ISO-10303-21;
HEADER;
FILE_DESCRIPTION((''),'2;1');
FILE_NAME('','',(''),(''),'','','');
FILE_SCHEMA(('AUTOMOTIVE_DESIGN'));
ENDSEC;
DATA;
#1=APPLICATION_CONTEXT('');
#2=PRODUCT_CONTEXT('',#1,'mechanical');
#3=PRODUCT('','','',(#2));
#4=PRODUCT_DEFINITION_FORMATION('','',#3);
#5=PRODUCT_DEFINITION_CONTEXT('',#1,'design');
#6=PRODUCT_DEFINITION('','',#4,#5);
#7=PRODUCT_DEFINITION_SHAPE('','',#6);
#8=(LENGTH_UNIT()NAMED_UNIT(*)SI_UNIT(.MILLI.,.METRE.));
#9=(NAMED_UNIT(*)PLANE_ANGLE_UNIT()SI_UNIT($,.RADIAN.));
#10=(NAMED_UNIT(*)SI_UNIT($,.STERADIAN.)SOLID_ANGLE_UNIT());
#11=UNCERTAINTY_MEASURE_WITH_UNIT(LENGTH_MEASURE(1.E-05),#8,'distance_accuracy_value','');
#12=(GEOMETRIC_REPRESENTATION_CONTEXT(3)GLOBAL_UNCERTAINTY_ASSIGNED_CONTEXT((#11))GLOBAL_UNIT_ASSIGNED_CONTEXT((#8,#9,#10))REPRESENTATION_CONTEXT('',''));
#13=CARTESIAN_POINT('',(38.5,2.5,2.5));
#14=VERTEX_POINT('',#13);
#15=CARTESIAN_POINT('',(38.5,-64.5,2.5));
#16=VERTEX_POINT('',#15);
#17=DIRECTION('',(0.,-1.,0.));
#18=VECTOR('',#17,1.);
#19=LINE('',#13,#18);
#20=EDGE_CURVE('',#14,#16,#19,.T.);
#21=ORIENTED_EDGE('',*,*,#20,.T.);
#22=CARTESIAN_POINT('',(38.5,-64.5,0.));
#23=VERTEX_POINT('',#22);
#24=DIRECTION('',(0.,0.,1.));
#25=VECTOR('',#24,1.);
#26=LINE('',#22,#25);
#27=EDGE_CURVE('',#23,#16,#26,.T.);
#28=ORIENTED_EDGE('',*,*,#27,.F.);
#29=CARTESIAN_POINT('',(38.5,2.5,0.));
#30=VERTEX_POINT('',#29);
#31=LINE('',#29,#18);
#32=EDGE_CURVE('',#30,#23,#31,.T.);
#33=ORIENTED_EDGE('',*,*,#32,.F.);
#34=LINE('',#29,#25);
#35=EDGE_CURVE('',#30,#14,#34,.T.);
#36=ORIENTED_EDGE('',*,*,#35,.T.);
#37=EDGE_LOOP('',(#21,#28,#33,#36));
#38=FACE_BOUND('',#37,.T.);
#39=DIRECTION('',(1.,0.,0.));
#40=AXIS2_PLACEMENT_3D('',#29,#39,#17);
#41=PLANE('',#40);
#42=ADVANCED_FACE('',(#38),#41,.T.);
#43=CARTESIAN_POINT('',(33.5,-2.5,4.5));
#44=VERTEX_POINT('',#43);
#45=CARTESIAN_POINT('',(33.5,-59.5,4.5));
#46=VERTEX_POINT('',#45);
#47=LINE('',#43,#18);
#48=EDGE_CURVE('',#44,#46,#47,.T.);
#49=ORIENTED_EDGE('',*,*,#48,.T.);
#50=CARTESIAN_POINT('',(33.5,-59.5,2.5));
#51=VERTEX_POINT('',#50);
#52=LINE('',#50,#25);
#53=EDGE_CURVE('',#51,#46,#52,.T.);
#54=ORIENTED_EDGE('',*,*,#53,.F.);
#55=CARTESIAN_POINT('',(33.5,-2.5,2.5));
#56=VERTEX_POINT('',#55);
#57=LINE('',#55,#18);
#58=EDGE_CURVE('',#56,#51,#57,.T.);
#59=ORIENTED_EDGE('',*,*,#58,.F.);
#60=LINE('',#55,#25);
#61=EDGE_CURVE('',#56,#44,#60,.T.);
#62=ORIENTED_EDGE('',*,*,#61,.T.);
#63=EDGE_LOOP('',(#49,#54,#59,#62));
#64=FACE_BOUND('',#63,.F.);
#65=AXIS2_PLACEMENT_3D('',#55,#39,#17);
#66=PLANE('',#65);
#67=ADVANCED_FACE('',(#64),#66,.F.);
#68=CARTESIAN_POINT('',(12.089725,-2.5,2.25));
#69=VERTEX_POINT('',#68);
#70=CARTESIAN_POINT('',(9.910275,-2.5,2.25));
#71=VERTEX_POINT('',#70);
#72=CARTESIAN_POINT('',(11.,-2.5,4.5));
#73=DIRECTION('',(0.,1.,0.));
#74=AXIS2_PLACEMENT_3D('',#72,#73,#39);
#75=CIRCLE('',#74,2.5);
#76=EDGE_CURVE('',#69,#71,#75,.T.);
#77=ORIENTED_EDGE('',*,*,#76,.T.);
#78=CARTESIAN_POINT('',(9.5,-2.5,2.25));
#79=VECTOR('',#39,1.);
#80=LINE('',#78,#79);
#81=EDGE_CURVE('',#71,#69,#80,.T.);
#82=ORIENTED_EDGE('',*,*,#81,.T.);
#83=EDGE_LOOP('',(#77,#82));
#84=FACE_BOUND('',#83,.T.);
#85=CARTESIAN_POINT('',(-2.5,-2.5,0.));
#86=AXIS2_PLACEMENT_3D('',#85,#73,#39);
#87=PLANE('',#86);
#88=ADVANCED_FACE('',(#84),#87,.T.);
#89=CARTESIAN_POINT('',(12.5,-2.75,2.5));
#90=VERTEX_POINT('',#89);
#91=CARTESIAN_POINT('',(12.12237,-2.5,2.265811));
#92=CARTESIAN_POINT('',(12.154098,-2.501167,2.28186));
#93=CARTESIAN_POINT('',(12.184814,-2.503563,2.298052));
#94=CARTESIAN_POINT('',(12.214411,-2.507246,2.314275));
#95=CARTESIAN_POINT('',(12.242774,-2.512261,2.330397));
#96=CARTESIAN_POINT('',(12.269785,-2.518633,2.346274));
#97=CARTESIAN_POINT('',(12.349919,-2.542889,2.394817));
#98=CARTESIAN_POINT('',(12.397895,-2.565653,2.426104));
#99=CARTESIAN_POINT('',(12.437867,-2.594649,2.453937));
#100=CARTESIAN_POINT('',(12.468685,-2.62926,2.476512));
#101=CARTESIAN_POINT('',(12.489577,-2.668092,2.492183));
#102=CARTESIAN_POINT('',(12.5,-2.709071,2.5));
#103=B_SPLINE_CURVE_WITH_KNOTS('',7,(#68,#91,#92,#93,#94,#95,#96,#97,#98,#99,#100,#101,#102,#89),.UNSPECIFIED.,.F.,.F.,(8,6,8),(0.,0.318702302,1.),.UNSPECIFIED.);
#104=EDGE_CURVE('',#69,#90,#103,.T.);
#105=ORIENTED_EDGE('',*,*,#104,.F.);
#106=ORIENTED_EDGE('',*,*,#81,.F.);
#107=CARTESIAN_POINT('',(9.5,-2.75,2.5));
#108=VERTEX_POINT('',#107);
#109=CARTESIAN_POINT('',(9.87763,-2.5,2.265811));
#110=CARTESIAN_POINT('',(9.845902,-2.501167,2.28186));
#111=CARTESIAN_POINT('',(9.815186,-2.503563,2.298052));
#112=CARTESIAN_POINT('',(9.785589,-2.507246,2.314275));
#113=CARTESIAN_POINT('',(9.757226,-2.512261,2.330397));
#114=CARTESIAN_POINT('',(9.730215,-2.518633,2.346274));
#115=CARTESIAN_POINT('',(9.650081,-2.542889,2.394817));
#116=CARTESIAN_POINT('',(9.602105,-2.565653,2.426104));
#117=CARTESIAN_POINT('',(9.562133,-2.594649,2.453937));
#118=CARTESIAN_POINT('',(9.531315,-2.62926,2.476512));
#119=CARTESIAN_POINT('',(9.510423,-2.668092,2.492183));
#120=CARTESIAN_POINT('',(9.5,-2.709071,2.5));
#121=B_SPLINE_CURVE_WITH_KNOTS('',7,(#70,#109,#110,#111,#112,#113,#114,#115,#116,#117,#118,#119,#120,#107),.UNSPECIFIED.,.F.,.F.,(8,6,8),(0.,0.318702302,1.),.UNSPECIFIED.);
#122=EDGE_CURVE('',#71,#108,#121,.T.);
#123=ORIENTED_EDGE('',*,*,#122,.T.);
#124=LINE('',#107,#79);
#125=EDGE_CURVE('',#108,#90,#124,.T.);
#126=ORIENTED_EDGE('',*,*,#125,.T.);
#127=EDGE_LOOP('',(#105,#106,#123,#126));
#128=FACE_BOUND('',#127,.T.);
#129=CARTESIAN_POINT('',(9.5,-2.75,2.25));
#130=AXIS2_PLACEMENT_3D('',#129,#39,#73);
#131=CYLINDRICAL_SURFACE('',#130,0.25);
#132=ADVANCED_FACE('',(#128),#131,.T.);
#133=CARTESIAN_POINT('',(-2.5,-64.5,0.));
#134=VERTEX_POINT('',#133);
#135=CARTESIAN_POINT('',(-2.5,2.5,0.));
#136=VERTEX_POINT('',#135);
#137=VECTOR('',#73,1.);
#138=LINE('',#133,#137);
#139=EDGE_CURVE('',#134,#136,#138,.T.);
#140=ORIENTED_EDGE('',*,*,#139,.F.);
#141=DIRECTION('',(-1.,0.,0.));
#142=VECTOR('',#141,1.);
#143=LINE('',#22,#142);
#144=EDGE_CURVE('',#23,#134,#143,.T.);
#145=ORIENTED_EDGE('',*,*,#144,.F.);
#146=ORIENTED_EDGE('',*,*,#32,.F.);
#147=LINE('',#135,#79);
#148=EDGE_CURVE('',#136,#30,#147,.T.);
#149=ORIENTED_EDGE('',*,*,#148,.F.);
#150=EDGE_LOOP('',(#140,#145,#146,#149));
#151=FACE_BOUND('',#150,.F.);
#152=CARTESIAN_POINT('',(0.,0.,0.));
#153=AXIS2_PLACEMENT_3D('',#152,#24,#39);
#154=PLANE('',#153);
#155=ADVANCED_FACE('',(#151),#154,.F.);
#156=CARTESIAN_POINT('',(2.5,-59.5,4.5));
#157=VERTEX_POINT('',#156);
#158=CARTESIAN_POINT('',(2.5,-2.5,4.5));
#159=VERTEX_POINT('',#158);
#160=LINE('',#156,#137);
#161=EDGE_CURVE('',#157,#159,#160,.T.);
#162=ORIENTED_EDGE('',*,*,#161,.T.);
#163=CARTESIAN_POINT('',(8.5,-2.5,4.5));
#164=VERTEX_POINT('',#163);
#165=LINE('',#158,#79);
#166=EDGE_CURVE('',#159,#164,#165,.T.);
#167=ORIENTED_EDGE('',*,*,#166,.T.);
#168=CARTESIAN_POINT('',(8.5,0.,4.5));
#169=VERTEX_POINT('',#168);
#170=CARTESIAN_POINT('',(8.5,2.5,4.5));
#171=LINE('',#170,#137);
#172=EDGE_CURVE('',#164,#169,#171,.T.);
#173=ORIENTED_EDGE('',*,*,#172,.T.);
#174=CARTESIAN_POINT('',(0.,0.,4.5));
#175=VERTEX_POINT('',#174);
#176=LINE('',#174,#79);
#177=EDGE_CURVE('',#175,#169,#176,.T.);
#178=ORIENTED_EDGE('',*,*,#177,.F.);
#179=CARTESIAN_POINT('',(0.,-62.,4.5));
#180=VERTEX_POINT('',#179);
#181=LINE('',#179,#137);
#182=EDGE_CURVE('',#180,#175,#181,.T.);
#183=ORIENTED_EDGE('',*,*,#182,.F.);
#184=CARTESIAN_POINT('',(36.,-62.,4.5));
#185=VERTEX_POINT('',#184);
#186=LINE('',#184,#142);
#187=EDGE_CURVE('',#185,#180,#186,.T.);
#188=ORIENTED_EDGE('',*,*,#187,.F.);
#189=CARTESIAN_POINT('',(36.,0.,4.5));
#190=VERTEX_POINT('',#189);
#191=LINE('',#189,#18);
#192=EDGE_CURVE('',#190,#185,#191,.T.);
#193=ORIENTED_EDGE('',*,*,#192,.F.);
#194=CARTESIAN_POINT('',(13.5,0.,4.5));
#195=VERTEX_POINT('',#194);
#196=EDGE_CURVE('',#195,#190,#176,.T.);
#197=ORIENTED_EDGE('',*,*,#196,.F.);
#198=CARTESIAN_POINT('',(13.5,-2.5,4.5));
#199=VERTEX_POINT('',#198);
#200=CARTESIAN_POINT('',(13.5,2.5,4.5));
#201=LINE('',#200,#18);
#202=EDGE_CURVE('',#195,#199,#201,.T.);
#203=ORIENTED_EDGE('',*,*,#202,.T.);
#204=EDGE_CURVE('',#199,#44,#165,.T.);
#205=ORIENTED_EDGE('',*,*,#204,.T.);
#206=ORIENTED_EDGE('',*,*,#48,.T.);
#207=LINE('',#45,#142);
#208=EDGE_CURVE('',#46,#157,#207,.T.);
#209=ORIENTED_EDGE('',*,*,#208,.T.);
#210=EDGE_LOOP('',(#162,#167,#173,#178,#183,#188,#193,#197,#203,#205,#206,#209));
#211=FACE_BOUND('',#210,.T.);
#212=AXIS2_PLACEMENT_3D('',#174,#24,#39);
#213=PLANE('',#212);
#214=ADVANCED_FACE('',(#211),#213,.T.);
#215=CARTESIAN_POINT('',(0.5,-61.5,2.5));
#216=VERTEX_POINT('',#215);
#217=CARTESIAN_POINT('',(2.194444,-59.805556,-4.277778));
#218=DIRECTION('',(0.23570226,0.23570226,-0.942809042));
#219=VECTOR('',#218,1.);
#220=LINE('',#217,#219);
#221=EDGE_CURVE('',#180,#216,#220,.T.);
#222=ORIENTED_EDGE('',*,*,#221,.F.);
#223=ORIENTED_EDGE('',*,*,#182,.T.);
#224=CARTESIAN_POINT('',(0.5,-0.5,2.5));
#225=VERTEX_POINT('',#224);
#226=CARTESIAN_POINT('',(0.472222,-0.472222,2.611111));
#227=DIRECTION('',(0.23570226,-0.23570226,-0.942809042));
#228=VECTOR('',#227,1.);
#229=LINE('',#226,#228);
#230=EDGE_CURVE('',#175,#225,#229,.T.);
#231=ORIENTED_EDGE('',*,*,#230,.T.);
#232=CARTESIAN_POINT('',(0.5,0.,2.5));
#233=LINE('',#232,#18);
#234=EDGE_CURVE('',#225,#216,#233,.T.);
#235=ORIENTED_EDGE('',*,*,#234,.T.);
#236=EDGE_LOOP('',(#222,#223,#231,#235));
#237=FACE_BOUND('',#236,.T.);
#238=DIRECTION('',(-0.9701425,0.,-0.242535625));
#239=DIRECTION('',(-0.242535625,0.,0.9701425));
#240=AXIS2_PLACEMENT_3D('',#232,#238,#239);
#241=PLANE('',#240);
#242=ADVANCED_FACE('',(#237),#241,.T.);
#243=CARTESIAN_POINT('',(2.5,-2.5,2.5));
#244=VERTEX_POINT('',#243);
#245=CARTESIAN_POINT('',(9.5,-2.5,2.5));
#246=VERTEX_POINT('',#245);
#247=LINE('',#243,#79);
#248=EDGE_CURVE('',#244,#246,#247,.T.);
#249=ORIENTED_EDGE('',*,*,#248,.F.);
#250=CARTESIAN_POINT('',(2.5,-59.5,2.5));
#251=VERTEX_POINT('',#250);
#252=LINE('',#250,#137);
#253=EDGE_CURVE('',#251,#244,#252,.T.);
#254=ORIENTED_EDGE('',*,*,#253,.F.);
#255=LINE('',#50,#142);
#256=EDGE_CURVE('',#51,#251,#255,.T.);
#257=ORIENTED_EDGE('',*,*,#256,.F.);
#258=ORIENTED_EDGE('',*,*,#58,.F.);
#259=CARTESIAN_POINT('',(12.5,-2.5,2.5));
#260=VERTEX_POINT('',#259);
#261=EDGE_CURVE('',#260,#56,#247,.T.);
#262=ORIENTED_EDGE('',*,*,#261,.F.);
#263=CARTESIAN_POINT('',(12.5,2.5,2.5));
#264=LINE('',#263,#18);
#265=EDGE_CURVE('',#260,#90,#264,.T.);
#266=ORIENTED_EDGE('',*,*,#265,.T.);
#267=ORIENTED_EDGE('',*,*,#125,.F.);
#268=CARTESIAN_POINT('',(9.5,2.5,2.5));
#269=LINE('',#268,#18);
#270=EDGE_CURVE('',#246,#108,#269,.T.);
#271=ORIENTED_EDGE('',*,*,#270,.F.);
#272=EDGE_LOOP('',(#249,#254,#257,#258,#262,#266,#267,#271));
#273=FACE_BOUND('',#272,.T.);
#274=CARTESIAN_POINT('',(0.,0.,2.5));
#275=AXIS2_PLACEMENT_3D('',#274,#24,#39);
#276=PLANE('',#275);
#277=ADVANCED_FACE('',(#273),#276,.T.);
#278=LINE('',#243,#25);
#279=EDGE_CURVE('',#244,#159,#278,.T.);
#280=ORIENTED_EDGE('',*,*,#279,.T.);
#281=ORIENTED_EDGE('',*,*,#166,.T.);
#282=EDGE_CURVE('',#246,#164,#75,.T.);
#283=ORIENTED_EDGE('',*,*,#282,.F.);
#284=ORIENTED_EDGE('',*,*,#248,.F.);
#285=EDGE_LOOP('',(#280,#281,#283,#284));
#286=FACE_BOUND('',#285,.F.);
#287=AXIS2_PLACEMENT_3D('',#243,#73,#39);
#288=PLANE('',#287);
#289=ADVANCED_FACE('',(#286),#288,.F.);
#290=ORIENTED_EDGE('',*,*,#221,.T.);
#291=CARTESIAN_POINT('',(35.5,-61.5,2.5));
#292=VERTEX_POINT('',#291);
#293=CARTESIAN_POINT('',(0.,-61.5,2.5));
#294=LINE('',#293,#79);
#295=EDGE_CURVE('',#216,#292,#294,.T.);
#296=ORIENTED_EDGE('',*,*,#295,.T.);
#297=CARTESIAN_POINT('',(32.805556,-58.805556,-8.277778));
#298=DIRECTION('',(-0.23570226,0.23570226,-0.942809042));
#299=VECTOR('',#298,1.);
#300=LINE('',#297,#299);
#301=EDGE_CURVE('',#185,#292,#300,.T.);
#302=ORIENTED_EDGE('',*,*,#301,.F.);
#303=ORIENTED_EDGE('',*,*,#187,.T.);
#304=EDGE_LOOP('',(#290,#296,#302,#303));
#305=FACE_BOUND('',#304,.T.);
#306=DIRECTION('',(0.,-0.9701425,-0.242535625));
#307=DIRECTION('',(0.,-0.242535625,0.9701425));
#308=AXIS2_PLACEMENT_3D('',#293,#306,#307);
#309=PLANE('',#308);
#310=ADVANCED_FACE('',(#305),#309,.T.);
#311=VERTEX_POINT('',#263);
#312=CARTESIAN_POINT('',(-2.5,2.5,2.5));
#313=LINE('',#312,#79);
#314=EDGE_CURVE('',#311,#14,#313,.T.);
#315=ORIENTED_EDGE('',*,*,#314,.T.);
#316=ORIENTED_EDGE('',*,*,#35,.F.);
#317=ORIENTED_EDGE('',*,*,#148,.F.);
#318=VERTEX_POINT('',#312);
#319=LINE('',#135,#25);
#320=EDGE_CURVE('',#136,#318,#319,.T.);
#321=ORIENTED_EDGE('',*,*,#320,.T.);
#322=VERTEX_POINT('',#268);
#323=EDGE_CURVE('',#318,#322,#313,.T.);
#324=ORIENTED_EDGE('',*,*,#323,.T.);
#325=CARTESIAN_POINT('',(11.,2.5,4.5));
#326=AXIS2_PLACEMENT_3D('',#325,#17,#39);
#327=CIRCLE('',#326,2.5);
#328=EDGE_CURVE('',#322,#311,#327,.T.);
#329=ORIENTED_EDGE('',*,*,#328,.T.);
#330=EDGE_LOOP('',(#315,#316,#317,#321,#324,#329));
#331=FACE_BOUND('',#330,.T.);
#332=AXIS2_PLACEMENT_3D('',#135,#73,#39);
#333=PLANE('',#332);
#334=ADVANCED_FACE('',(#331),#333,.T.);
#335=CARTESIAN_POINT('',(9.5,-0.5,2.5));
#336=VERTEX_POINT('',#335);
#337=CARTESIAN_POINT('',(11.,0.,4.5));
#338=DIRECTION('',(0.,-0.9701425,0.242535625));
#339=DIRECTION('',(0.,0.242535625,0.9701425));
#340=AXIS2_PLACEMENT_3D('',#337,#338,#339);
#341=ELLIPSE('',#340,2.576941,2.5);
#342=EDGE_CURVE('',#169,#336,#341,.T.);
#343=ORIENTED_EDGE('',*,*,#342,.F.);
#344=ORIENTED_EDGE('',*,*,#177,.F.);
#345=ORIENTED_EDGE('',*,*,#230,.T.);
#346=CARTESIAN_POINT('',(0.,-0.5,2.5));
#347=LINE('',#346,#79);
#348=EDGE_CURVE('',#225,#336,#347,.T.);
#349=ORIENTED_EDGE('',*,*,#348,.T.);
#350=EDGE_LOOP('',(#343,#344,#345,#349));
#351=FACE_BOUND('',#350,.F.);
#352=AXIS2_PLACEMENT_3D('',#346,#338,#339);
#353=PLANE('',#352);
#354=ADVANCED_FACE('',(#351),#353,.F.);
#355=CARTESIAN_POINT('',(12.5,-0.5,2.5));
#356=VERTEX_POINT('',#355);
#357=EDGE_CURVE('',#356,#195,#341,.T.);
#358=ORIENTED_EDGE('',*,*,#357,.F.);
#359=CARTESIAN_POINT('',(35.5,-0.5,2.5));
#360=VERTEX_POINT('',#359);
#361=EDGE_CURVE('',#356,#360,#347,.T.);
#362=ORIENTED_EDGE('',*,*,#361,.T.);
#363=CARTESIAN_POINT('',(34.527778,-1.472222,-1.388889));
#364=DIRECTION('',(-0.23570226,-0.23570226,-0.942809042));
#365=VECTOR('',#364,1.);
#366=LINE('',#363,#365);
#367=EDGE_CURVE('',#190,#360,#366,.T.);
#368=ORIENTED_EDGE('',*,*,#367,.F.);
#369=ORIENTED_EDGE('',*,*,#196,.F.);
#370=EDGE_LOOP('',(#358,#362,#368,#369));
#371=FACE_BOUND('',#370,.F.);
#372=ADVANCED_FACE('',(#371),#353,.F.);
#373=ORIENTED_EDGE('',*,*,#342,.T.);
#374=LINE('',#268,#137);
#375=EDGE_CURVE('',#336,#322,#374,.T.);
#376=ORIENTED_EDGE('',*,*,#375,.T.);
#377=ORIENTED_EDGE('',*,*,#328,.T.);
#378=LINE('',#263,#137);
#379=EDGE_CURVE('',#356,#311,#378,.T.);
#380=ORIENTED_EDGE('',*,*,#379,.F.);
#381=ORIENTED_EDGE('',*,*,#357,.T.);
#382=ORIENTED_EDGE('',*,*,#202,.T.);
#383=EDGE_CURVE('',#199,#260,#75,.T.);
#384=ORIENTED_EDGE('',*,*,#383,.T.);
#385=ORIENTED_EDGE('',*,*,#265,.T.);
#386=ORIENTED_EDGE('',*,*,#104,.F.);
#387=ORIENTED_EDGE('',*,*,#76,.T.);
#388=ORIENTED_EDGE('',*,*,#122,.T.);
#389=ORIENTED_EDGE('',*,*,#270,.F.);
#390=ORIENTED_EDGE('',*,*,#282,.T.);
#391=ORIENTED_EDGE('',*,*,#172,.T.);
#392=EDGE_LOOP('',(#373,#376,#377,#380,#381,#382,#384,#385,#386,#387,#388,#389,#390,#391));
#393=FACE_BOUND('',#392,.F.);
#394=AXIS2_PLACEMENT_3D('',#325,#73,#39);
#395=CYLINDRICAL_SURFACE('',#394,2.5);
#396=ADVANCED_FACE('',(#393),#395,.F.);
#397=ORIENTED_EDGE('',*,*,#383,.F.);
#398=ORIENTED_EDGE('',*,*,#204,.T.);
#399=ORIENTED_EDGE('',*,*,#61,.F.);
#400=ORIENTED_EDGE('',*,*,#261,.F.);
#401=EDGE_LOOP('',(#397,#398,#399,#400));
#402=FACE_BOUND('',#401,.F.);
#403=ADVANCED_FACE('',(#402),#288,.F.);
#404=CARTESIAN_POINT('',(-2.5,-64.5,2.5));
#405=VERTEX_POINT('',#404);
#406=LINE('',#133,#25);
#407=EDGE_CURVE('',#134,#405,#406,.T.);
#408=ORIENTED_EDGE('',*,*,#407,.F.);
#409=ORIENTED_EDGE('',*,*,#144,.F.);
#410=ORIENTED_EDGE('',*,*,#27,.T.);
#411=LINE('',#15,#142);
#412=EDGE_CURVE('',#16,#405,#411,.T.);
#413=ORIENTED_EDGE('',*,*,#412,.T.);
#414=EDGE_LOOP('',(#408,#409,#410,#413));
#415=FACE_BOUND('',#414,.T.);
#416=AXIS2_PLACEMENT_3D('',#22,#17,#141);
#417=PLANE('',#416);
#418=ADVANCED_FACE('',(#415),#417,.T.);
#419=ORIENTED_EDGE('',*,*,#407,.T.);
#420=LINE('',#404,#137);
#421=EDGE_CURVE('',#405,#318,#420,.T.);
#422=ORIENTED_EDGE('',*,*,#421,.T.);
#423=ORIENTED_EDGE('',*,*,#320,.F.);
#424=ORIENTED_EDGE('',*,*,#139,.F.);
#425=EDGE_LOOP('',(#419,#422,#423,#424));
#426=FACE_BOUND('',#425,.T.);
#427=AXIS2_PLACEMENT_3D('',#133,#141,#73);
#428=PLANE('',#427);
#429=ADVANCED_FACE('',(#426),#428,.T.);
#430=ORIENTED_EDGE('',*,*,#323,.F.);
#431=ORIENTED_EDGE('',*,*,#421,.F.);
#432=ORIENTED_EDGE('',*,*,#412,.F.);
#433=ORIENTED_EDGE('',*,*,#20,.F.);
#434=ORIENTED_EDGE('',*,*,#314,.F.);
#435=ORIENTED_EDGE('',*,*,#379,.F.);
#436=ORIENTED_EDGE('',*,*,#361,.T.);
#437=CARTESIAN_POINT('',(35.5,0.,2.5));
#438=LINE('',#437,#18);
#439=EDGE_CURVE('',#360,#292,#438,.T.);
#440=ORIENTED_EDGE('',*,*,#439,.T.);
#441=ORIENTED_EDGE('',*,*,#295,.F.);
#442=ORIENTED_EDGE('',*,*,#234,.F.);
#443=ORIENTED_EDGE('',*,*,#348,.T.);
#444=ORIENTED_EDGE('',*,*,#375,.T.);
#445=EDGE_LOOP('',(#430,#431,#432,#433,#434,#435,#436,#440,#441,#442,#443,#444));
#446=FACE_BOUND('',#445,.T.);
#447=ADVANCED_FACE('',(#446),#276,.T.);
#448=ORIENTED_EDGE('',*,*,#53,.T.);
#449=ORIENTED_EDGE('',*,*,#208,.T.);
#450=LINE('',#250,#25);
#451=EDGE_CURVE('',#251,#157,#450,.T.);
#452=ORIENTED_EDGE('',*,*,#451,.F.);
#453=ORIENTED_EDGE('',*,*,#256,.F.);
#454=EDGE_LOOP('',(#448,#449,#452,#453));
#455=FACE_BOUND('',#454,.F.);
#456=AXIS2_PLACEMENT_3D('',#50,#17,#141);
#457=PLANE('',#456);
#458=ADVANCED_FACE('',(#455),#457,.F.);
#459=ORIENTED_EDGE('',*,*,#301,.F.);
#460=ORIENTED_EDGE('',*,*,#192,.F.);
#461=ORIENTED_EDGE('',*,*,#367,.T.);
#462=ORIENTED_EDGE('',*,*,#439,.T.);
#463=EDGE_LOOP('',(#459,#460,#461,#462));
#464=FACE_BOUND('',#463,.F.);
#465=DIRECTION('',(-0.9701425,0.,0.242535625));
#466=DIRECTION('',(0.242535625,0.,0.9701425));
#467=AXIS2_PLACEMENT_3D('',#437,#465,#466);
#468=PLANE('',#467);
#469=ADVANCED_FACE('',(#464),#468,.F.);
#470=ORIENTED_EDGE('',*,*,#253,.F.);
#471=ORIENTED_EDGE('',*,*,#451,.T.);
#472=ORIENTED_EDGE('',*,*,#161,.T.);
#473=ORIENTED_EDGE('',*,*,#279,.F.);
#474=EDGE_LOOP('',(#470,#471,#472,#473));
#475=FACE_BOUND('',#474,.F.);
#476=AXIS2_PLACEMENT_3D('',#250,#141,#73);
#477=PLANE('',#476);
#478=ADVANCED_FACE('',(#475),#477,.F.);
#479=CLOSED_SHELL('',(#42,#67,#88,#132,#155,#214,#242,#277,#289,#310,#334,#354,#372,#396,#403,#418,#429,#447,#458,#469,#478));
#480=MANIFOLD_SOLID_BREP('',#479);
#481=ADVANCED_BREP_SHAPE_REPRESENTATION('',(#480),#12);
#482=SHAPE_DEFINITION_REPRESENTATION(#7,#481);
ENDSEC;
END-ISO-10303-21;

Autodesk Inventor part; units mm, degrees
ref_plane "YZ Plane" through (0, 0, 0) normal (1, 0, 0) x (0, 1, 0)
ref_plane "XZ Plane" through (0, 0, 0) normal (0, 1, 0) x (-1, 0, 0)
ref_plane "XY Plane" through (0, 0, 0) normal (0, 0, 1) x (1, 0, 0)
sketch "Sketch1" plane through (0, 0, 0) normal (0, 0, 1) x (1, 0, 0)
  line L0 (0, 0) -> (36, 0)
  line L1 (36, 0) -> (36, -62)
  line L2 (36, -62) -> (0, -62)
  line L3 (0, -62) -> (0, 0)
  line L4 (-2.5, 2.5) -> (38.5, 2.5)
  line L5 (38.5, 2.5) -> (38.5, -64.5)
  line L6 (38.5, -64.5) -> (-2.5, -64.5)
  line L7 (-2.5, -64.5) -> (-2.5, 2.5)
  dimension "d0" = 36
  dimension "d1" = 62
  dimension "d2" = 2.5
extrude "Extrusion1" add sketch "Sketch1" along normal blind 2.5 contours L0 L1 L2 L3 | L4 L5 L6 L7
sketch "Sketch2" plane through (0, 0, 2.5) normal (0, 0, 1) x (1, 0, 0)
  line L0 (38.5, 2.5) -> (-2.5, 2.5) projected
  line L1 (-2.5, 2.5) -> (-2.5, -64.5) projected
  line L2 (-2.5, -64.5) -> (38.5, -64.5) projected
  line L3 (38.5, -64.5) -> (38.5, 2.5) projected
  line L4 (0, 0) -> (36, 0)
  line L5 (36, 0) -> (36, -62)
  line L6 (36, -62) -> (0, -62)
  line L7 (0, -62) -> (0, 0)
  line L8 (2.5, -2.5) -> (33.5, -2.5)
  line L9 (33.5, -2.5) -> (33.5, -59.5)
  line L10 (33.5, -59.5) -> (2.5, -59.5)
  line L11 (2.5, -59.5) -> (2.5, -2.5)
  point P0 (0, 0)
  dimension "d5" = 2.5
  dimension "d6" = 2.5
extrude "Extrusion2" add sketch "Sketch2" along normal blind 2 contours L4 L5 L6 L7
sketch "Sketch3" plane through (0, -62, 2.5) normal (-1, 0, 0) x (0, 0, 1)
  line L0 (0, 62) -> (2, 62) projected
  line L1 (0, 62) -> (0, 61.5)
  line L2 (0, 64.5) -> (0, -2.5) projected
  line L3 (2, 62) -> (2, 0) projected
  line L4 (0, 61.5) -> (2, 62)
  line L5 (2, 62) -> (0, 62)
  line L6 (0, 0) -> (0, 0.5)
  line L7 (0, 0) -> (0, 62) projected
  line L8 (0, 0.5) -> (2, 0)
  line L9 (0, 0) -> (2, 0) projected
  line L10 (2, 0) -> (0, 0)
  point P0 (-2.5, 62)
  dimension "d9" = 0.5
  dimension "d10" = 0.5
sketch "Sketch4" plane through (0, 0, 2.5) normal (0, 1, 0) x (1, 0, 0)
  line L0 (36, 0) -> (36, -2) projected
  line L1 (36, -2) -> (36, 0)
  line L2 (36, 0) -> (35.5, 0)
  line L3 (36, 0) -> (0, 0) projected
  line L4 (35.5, 0) -> (36, -2)
  line L5 (0, 0) -> (0, -2) projected
  line L6 (0, -2) -> (0, 0)
  line L7 (0, 0) -> (0.5, 0)
  line L8 (0.5, 0) -> (0, -2)
  point P0 (0, 2.5)
  dimension "d13" = 0.5
  dimension "d14" = 0.5
extrude "Extrusion3" cut sketch "Sketch3" against normal through all contours L0 L4 L1 | L9 L2 L8
extrude "Extrusion4" cut sketch "Sketch4" against normal through all
sketch "Sketch5" plane through (-2.5, 2.5, 0) normal (0, 1, 0) x (1, 0, 0)
  line L0 (5, -4.5) -> (36, -4.5) projected
  line L1 (20.5, -4.5) -> (13.5, -4.5)
  circle A0 centre (13.5, -4.5) radius 2.5
  point P0 (2.5, 0)
  dimension "d17" = 7
  dimension "d18" = 5
extrude "Extrusion5" cut sketch "Sketch5" against normal blind 5
fillet "Fillet1" radius 0.25 1 edges at (11, -2.5, 2.5)
properties part number "feeder_encolsure_lid"
